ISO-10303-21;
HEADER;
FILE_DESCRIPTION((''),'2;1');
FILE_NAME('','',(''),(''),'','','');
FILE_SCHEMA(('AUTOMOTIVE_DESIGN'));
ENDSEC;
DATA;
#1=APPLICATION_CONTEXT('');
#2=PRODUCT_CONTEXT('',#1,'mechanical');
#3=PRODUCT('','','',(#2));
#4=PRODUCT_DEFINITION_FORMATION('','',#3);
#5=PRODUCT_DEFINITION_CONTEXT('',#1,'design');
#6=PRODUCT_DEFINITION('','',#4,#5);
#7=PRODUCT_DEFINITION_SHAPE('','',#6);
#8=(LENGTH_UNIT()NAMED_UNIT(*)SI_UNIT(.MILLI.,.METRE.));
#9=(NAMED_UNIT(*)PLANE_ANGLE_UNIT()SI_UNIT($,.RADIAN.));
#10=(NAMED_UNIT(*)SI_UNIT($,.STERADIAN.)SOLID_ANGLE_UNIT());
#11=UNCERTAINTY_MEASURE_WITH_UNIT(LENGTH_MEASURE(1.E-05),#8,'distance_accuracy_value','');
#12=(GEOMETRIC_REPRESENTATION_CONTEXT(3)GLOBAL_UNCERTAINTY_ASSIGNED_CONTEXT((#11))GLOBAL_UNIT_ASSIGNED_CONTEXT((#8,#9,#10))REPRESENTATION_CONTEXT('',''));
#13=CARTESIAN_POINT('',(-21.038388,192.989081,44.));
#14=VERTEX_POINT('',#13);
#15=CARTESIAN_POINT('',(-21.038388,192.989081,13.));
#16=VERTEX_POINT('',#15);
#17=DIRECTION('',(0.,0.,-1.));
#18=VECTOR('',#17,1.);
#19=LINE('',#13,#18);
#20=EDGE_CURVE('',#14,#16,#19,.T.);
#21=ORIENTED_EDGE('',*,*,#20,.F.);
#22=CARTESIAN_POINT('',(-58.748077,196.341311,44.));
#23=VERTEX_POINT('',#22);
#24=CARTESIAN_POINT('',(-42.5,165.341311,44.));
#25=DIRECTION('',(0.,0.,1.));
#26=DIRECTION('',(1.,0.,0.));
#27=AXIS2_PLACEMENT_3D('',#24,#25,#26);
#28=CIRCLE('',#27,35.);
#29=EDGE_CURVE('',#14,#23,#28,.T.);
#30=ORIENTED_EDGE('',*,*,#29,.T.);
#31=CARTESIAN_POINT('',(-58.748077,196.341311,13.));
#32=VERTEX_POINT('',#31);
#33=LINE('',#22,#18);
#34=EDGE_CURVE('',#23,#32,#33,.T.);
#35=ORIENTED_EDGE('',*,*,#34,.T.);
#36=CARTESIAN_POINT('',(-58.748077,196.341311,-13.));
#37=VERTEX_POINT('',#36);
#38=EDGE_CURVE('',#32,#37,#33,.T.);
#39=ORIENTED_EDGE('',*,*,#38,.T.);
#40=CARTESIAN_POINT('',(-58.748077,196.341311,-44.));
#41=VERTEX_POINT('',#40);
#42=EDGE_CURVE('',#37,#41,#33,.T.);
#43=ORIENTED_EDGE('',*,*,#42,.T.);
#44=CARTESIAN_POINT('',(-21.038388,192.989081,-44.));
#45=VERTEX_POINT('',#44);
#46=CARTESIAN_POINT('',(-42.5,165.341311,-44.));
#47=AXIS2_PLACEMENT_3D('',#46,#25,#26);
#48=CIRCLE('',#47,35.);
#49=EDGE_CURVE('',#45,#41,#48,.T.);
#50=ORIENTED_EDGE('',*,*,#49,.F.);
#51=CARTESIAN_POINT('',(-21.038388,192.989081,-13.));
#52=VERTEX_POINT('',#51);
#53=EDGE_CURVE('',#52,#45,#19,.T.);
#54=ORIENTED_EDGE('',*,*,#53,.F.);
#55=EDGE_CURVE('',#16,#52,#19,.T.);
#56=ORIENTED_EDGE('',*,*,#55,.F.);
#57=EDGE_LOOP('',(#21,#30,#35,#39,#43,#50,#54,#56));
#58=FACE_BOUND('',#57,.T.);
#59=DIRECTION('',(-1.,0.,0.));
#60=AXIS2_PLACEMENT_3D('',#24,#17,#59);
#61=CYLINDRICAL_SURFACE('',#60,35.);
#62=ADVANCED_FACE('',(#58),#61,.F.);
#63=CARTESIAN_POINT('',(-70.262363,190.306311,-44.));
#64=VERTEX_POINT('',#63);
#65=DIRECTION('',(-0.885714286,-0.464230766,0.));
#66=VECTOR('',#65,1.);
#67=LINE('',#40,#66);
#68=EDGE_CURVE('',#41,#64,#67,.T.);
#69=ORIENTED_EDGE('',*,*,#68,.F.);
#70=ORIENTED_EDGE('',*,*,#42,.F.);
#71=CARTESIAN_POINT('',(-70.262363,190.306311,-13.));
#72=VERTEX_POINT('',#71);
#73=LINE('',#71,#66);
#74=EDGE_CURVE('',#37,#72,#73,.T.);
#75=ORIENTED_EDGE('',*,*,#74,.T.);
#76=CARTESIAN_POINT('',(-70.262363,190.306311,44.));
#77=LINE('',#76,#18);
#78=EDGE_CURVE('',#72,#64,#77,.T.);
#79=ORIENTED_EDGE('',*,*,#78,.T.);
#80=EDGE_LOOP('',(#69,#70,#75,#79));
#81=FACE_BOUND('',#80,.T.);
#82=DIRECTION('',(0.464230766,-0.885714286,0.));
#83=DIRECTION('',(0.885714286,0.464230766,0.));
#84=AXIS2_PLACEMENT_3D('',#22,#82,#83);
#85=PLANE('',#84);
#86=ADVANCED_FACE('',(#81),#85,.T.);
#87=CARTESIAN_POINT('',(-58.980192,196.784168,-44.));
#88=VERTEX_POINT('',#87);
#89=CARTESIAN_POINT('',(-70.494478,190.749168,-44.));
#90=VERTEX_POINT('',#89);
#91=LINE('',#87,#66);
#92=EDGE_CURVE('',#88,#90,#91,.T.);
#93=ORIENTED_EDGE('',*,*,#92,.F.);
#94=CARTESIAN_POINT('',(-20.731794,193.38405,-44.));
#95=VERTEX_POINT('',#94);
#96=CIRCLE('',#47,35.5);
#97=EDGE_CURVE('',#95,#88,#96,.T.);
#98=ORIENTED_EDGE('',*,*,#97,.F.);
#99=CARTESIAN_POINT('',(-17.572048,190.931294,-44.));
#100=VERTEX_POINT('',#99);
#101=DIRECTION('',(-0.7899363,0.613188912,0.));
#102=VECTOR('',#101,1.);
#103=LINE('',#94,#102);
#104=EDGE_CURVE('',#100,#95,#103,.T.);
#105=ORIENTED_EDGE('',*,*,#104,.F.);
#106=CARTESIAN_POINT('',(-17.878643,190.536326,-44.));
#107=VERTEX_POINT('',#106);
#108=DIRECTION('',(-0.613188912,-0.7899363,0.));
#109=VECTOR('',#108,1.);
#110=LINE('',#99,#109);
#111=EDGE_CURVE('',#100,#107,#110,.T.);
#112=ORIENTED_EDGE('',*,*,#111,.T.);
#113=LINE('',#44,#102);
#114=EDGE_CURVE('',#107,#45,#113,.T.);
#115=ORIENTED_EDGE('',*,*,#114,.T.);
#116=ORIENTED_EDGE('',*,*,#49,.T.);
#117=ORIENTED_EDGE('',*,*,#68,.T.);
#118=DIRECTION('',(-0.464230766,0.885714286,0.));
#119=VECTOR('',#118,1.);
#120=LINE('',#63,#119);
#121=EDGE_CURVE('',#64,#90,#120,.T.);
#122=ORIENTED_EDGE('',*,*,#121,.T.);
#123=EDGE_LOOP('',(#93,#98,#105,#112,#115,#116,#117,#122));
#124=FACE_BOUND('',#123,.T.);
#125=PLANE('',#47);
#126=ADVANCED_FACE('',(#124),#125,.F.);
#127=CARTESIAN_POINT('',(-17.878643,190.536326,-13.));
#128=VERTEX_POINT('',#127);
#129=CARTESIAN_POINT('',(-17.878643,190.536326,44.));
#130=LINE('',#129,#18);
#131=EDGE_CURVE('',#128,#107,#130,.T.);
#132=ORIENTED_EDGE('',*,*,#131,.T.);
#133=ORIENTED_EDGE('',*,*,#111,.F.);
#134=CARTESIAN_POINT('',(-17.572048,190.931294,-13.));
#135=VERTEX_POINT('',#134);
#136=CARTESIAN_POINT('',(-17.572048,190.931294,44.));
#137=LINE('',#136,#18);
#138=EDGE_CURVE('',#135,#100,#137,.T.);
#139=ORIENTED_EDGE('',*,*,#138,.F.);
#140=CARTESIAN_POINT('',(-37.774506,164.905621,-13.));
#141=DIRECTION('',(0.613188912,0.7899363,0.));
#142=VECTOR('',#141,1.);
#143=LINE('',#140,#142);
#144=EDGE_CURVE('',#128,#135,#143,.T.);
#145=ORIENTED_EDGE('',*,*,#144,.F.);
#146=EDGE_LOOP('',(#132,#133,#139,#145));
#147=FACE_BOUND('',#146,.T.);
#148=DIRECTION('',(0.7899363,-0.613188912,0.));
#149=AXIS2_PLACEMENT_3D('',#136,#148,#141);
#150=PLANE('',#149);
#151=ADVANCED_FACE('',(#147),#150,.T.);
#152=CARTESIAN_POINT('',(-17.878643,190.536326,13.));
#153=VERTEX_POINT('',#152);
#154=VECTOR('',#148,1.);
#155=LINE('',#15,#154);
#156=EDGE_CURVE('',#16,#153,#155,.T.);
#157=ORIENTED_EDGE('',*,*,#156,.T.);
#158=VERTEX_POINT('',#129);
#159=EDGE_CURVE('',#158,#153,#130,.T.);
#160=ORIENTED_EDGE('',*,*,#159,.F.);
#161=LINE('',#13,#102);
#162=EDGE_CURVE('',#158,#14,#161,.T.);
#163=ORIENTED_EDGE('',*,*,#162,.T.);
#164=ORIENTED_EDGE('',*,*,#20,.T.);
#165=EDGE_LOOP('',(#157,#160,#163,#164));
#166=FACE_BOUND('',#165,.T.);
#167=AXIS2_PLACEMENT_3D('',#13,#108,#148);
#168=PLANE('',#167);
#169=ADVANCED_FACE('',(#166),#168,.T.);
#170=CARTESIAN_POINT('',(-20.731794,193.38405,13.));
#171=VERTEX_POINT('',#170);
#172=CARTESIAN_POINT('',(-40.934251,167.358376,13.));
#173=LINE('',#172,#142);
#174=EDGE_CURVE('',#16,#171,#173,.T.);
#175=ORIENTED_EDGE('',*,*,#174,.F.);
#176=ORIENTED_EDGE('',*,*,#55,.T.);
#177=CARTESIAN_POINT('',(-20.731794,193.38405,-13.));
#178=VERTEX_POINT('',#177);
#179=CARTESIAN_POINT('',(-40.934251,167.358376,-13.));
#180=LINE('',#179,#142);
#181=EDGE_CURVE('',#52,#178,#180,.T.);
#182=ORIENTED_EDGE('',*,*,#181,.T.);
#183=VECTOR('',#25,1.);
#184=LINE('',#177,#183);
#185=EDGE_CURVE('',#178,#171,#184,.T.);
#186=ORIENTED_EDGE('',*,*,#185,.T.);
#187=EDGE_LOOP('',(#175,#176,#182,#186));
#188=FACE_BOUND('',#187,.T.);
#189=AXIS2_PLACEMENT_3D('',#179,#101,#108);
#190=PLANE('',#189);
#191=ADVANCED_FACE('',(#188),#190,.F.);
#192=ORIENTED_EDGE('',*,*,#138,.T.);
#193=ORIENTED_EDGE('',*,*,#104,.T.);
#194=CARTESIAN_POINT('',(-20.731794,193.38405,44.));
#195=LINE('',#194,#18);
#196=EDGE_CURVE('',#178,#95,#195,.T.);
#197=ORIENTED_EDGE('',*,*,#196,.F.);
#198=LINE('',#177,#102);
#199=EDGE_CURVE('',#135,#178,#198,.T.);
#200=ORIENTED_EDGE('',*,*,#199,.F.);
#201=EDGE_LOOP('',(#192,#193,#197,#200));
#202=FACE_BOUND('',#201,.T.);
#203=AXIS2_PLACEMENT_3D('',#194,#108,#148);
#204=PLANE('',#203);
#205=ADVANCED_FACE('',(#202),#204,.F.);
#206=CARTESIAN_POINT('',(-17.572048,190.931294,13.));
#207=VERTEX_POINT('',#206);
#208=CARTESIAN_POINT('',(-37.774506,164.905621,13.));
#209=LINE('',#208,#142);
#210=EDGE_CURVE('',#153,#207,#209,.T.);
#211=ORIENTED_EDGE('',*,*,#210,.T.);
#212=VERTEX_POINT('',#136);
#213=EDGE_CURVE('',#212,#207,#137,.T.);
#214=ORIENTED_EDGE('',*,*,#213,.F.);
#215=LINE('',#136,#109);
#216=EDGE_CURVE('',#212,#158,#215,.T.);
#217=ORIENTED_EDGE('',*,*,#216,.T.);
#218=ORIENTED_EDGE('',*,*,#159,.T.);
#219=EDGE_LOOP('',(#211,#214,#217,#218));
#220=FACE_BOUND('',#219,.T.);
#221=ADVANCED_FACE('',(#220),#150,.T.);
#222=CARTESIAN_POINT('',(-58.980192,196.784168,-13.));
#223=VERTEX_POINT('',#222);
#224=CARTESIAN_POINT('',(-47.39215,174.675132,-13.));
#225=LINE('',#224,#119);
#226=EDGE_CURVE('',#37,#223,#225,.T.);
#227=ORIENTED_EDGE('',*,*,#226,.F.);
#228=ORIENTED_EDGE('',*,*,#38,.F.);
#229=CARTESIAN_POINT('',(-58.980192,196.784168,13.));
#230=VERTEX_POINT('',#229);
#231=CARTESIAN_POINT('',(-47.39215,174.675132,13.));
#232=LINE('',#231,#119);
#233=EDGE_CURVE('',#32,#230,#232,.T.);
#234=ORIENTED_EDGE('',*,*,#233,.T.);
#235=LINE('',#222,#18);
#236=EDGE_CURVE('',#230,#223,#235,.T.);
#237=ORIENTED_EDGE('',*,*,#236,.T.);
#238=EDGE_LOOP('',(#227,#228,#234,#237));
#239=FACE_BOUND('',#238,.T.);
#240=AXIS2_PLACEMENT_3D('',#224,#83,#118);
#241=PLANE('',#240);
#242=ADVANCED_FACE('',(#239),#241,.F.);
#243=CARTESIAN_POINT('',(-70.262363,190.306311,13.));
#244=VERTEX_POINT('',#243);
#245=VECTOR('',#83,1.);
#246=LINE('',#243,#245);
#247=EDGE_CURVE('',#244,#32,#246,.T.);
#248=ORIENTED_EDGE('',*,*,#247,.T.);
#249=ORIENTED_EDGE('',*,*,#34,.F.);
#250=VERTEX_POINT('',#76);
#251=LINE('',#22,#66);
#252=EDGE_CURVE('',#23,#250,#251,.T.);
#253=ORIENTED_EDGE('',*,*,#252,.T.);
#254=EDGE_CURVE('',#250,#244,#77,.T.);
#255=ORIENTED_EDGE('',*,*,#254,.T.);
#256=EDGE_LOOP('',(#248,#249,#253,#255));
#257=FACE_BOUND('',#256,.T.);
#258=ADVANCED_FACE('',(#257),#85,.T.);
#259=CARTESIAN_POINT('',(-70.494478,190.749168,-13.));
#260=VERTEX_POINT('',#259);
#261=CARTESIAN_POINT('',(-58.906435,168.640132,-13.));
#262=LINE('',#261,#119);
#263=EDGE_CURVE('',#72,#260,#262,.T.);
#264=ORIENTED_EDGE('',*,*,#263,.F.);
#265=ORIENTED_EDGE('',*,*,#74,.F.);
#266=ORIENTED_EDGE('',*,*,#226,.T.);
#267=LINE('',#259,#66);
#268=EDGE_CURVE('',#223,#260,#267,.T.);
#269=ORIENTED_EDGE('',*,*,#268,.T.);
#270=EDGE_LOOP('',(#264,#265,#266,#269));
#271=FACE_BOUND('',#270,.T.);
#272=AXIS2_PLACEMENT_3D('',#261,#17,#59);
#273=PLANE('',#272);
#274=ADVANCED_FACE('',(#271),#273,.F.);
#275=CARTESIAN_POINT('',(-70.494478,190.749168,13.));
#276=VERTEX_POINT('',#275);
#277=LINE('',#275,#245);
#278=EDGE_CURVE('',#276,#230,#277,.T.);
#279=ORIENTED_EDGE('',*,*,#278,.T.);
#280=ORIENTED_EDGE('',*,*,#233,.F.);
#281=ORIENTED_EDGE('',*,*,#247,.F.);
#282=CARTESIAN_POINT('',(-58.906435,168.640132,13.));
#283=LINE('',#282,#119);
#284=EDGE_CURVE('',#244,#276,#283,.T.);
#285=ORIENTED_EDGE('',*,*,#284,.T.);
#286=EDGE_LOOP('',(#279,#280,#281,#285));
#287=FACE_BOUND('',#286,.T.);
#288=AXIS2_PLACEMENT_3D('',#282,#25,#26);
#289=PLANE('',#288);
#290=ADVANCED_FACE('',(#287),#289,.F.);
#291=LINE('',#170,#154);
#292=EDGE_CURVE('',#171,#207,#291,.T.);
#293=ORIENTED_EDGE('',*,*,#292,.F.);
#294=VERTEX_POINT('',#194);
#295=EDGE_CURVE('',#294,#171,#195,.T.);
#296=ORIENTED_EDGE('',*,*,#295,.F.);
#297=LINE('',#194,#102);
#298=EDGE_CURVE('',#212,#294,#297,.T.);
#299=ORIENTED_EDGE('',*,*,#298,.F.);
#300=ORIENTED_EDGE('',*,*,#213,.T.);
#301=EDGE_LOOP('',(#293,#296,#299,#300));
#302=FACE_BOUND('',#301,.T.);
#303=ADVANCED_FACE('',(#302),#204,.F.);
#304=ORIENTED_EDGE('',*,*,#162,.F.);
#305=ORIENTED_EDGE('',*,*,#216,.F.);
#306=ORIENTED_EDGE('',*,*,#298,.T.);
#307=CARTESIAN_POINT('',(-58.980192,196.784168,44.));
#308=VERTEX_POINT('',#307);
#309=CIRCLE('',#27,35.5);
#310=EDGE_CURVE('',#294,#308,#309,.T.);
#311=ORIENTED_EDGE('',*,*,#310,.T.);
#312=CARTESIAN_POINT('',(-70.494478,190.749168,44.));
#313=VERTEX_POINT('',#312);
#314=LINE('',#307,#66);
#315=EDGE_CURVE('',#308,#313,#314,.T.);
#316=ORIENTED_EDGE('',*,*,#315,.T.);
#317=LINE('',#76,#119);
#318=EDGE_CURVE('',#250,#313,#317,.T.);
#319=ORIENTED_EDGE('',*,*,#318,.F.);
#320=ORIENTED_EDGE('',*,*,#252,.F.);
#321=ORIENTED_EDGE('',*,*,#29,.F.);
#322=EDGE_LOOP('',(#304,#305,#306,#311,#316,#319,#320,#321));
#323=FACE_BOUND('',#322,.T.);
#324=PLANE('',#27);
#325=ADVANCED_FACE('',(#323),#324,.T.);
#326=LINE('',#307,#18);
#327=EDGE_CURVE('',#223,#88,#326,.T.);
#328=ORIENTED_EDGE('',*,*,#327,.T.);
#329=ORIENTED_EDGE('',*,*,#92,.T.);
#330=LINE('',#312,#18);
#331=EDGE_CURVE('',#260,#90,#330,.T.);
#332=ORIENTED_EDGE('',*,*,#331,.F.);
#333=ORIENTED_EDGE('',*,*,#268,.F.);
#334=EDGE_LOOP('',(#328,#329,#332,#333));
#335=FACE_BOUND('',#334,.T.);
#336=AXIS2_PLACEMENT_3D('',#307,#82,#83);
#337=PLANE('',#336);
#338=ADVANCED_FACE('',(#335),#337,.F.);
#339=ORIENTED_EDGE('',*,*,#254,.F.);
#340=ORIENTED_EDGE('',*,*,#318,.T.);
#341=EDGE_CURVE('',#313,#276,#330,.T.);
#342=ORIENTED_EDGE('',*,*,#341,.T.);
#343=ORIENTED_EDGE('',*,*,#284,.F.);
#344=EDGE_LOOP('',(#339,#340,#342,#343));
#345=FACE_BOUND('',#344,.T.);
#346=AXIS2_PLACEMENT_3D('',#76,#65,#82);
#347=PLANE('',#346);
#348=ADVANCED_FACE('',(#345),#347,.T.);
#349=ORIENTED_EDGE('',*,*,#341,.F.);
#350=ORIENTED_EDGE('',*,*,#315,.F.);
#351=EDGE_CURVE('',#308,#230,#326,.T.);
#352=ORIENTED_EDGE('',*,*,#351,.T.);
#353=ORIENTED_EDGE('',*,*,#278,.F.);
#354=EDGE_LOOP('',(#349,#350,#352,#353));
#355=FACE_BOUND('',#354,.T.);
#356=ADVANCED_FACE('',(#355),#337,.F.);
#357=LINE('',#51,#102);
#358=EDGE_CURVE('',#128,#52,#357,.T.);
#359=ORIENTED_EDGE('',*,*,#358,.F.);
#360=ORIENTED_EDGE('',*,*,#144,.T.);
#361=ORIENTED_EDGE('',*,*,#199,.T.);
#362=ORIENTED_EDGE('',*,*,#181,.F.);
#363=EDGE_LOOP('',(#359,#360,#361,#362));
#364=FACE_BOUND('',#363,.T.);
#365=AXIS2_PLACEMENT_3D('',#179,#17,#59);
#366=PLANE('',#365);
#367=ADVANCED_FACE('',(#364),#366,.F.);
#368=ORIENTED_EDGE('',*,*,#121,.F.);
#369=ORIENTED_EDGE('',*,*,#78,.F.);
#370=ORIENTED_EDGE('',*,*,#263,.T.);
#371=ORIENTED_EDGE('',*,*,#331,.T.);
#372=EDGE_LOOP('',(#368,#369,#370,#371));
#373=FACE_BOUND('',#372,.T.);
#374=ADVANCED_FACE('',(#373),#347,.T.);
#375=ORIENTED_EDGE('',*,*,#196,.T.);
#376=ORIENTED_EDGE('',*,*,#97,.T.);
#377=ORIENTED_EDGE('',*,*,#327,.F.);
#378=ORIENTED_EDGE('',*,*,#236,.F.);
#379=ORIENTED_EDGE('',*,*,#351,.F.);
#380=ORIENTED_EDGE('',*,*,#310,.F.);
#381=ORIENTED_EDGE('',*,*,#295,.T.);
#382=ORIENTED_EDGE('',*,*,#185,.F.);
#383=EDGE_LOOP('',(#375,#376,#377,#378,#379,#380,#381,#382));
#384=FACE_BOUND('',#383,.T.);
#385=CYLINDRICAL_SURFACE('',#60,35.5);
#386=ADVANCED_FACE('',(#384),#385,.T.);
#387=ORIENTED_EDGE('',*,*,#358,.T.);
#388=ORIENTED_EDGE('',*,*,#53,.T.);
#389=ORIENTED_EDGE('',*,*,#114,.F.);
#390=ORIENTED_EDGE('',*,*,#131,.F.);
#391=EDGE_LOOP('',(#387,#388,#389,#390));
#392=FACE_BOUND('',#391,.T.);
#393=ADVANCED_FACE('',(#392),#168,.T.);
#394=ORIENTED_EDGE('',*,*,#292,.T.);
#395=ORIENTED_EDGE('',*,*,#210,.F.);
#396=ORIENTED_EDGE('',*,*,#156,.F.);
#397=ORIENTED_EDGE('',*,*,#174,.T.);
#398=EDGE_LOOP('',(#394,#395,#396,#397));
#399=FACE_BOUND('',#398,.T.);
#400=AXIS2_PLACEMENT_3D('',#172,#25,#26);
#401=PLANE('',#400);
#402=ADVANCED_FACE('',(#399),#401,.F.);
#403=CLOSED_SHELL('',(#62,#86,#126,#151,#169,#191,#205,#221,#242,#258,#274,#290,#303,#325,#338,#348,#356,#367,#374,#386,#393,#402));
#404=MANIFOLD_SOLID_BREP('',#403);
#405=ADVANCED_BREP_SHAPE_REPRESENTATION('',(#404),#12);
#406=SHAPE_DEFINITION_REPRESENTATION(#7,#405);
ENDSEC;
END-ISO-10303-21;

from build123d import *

# Parameters (mm, degrees)
EXTRUDE_THIN1_DEPTH     = 44
CUT_EXTRUDE1_REACH      = 92.628
SKETCH2_W               = 26
SKETCH2_H               = 13
CUT_EXTRUDE2_REACH      = 187.812
CUT_EXTRUDE2_END_RADIUS = 35
SKETCH3_W               = 4
SKETCH3_H               = 26


with BuildPart() as part:
    # Sketch1 → Extrude-Thin1 (new, symmetric)
    with BuildSketch(Plane.XY):
        with BuildLine():
            Line((-17.878642875, 190.536325772), (-21.038388075, 192.989081421))
            ThreePointArc((-21.038388075, 192.989081421), (-39.400871452, 200.203832377), (-58.748076809, 196.341310922))
            Line((-58.748076809, 196.341310922), (-70.262362524, 190.306310964))
            Line((-70.262362524, 190.306310964), (-70.494477907, 190.749168107))
            Line((-70.494477907, 190.749168107), (-58.980192192, 196.784168064))
            ThreePointArc((-58.980192192, 196.784168064), (-39.356598187, 200.701868398), (-20.731793619, 193.384049571))
            Line((-20.731793619, 193.384049571), (-17.572048419, 190.931293922))
            Line((-17.572048419, 190.931293922), (-17.878642875, 190.536325772))
        make_face()
    extrude(amount=EXTRUDE_THIN1_DEPTH, both=True)

    # Sketch2 → Cut-Extrude1 (cut, up to next)
    with BuildSketch(Plane(origin=(-93.623725178, 178.62640081, 0), x_dir=(0, 0, 1), z_dir=(-0.46423076597919966, 0.8857142857142849, 0)), mode=Mode.PRIVATE) as cut_extrude1_sk1:
        with Locations((0, 32.613666274)):
            Rectangle(SKETCH2_W, SKETCH2_H)
    cut_extrude1_tool1 = extrude(cut_extrude1_sk1.sketch, amount=-CUT_EXTRUDE1_REACH, mode=Mode.PRIVATE) & part.part
    add(cut_extrude1_tool1.solids().sort_by_distance((-64.737335, 193.766668, 0))[0], mode=Mode.SUBTRACT)

    # Cut-Extrude2: up to this cylinder (the profile starts outside it)
    cut_extrude2_end = Plane(origin=(-42.5, 165.341310922, 0), z_dir=(0, 0, -1)) * Cylinder(CUT_EXTRUDE2_END_RADIUS, 446.624, mode=Mode.PRIVATE)
    # Sketch3 → Cut-Extrude2 (cut, up to the surface)
    with BuildSketch(Plane(origin=(85.876233117, 110.62945285, 0), x_dir=(0.7899362999787406, -0.6131889121436371, 0), z_dir=(0.6131889121436371, 0.7899362999787406, 0)), mode=Mode.PRIVATE) as cut_extrude2_sk1:
        with Locations((-132.957751326, 0)):
            Rectangle(SKETCH3_W, SKETCH3_H)
    cut_extrude2_tool1 = extrude(cut_extrude2_sk1.sketch, amount=-CUT_EXTRUDE2_REACH, mode=Mode.PRIVATE) - cut_extrude2_end
    add(cut_extrude2_tool1.solids().sort_by_distance((-19.151921, 192.157672, 0))[0], mode=Mode.SUBTRACT)


solid = part.part
